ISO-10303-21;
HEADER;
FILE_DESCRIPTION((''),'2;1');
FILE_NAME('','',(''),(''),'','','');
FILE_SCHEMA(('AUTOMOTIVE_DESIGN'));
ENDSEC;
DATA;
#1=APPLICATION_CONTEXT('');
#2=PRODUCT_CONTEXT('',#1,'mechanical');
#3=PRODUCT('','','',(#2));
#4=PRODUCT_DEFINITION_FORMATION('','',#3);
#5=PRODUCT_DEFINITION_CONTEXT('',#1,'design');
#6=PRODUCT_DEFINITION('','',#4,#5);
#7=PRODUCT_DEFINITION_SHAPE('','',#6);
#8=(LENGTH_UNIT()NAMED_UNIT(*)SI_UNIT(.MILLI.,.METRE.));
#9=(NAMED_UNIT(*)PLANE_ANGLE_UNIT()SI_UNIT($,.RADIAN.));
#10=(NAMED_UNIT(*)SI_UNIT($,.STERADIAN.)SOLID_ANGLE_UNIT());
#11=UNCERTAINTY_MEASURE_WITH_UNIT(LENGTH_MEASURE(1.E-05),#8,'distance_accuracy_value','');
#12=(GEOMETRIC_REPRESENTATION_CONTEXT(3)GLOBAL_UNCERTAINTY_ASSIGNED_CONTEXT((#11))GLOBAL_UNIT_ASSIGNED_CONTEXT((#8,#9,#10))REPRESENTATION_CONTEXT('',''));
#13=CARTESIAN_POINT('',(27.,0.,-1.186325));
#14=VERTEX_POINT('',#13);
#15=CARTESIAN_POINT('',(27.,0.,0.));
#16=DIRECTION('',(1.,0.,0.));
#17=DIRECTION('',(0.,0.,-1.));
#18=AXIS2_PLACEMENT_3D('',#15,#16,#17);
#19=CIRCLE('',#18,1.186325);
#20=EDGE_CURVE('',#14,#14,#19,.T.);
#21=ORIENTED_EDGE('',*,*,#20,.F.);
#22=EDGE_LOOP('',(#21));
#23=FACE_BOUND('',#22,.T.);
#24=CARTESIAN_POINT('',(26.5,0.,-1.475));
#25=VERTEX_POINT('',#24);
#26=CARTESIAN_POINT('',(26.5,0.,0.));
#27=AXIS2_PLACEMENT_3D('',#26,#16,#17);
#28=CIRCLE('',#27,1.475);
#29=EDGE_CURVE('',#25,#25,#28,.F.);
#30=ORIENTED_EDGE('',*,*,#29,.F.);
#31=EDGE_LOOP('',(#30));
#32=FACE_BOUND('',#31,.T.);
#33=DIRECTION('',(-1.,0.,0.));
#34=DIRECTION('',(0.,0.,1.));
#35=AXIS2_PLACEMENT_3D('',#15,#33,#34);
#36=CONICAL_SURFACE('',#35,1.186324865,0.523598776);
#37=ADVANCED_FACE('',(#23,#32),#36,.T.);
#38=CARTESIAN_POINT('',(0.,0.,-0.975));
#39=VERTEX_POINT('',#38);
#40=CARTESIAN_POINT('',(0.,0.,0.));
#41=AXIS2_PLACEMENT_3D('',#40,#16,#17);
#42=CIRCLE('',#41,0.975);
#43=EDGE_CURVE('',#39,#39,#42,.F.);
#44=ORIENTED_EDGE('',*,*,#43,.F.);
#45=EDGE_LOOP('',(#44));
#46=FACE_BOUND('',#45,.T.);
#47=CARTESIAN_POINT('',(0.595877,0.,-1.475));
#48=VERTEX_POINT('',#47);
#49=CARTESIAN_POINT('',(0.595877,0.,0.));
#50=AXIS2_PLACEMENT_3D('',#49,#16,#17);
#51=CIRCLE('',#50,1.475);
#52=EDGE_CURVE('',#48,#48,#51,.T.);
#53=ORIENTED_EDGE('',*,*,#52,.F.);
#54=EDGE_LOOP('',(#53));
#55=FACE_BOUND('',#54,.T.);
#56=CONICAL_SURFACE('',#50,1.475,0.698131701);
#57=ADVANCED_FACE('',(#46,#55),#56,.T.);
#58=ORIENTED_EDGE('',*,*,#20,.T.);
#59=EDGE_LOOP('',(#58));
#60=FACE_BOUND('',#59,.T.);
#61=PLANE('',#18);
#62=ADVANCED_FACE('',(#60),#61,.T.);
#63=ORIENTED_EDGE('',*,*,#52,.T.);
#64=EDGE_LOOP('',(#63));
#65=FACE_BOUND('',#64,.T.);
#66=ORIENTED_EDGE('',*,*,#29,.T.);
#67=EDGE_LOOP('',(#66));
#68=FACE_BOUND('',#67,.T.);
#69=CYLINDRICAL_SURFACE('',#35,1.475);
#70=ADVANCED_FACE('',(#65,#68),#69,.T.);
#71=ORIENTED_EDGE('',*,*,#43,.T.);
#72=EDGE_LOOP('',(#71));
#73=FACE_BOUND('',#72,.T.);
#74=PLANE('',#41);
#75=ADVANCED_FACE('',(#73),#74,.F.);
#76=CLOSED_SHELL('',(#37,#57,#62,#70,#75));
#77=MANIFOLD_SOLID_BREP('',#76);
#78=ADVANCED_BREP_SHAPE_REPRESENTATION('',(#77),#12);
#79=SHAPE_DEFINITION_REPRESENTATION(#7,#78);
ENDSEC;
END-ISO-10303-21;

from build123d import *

# Parameters (mm, degrees)
CROQUIS1_R              = 1.475
SALIENTE_EXTRUIR1_DEPTH = 27
CHAFL_N1_SIZE           = 0.5
CHAFL_N1_SIZE2          = 0.288675135
CHAFL_N7_SIZE           = 0.5
CHAFL_N7_SIZE2          = 0.595876796


with BuildPart() as part:
    # Croquis1 → Saliente-Extruir1 (new body)
    with BuildSketch(Plane(origin=(0, 0, 0), x_dir=(0, 0, -1), z_dir=(1, 0, 0))):
        Circle(CROQUIS1_R)
    extrude(amount=SALIENTE_EXTRUIR1_DEPTH)

    # Chaflán1
    chafl_n1_edges = [part.edges().sort_by_distance(p)[0] for p in [
        (27, 0, 1.475),
    ]]
    chafl_n1_side = [part.faces().sort_by_distance(p)[0] for p in [
        (13.5, 0, 1.475),
    ]]
    chamfer(chafl_n1_edges, length=CHAFL_N1_SIZE, length2=CHAFL_N1_SIZE2, reference=chafl_n1_side[0])

    # Chaflán7
    chafl_n7_edges = [part.edges().sort_by_distance(p)[0] for p in [
        (0, 0, 1.475),
    ]]
    chafl_n7_side = [part.faces().sort_by_distance(p)[0] for p in [
        (0, 0, 0),
    ]]
    chamfer(chafl_n7_edges, length=CHAFL_N7_SIZE, length2=CHAFL_N7_SIZE2, reference=chafl_n7_side[0])


solid = part.part
